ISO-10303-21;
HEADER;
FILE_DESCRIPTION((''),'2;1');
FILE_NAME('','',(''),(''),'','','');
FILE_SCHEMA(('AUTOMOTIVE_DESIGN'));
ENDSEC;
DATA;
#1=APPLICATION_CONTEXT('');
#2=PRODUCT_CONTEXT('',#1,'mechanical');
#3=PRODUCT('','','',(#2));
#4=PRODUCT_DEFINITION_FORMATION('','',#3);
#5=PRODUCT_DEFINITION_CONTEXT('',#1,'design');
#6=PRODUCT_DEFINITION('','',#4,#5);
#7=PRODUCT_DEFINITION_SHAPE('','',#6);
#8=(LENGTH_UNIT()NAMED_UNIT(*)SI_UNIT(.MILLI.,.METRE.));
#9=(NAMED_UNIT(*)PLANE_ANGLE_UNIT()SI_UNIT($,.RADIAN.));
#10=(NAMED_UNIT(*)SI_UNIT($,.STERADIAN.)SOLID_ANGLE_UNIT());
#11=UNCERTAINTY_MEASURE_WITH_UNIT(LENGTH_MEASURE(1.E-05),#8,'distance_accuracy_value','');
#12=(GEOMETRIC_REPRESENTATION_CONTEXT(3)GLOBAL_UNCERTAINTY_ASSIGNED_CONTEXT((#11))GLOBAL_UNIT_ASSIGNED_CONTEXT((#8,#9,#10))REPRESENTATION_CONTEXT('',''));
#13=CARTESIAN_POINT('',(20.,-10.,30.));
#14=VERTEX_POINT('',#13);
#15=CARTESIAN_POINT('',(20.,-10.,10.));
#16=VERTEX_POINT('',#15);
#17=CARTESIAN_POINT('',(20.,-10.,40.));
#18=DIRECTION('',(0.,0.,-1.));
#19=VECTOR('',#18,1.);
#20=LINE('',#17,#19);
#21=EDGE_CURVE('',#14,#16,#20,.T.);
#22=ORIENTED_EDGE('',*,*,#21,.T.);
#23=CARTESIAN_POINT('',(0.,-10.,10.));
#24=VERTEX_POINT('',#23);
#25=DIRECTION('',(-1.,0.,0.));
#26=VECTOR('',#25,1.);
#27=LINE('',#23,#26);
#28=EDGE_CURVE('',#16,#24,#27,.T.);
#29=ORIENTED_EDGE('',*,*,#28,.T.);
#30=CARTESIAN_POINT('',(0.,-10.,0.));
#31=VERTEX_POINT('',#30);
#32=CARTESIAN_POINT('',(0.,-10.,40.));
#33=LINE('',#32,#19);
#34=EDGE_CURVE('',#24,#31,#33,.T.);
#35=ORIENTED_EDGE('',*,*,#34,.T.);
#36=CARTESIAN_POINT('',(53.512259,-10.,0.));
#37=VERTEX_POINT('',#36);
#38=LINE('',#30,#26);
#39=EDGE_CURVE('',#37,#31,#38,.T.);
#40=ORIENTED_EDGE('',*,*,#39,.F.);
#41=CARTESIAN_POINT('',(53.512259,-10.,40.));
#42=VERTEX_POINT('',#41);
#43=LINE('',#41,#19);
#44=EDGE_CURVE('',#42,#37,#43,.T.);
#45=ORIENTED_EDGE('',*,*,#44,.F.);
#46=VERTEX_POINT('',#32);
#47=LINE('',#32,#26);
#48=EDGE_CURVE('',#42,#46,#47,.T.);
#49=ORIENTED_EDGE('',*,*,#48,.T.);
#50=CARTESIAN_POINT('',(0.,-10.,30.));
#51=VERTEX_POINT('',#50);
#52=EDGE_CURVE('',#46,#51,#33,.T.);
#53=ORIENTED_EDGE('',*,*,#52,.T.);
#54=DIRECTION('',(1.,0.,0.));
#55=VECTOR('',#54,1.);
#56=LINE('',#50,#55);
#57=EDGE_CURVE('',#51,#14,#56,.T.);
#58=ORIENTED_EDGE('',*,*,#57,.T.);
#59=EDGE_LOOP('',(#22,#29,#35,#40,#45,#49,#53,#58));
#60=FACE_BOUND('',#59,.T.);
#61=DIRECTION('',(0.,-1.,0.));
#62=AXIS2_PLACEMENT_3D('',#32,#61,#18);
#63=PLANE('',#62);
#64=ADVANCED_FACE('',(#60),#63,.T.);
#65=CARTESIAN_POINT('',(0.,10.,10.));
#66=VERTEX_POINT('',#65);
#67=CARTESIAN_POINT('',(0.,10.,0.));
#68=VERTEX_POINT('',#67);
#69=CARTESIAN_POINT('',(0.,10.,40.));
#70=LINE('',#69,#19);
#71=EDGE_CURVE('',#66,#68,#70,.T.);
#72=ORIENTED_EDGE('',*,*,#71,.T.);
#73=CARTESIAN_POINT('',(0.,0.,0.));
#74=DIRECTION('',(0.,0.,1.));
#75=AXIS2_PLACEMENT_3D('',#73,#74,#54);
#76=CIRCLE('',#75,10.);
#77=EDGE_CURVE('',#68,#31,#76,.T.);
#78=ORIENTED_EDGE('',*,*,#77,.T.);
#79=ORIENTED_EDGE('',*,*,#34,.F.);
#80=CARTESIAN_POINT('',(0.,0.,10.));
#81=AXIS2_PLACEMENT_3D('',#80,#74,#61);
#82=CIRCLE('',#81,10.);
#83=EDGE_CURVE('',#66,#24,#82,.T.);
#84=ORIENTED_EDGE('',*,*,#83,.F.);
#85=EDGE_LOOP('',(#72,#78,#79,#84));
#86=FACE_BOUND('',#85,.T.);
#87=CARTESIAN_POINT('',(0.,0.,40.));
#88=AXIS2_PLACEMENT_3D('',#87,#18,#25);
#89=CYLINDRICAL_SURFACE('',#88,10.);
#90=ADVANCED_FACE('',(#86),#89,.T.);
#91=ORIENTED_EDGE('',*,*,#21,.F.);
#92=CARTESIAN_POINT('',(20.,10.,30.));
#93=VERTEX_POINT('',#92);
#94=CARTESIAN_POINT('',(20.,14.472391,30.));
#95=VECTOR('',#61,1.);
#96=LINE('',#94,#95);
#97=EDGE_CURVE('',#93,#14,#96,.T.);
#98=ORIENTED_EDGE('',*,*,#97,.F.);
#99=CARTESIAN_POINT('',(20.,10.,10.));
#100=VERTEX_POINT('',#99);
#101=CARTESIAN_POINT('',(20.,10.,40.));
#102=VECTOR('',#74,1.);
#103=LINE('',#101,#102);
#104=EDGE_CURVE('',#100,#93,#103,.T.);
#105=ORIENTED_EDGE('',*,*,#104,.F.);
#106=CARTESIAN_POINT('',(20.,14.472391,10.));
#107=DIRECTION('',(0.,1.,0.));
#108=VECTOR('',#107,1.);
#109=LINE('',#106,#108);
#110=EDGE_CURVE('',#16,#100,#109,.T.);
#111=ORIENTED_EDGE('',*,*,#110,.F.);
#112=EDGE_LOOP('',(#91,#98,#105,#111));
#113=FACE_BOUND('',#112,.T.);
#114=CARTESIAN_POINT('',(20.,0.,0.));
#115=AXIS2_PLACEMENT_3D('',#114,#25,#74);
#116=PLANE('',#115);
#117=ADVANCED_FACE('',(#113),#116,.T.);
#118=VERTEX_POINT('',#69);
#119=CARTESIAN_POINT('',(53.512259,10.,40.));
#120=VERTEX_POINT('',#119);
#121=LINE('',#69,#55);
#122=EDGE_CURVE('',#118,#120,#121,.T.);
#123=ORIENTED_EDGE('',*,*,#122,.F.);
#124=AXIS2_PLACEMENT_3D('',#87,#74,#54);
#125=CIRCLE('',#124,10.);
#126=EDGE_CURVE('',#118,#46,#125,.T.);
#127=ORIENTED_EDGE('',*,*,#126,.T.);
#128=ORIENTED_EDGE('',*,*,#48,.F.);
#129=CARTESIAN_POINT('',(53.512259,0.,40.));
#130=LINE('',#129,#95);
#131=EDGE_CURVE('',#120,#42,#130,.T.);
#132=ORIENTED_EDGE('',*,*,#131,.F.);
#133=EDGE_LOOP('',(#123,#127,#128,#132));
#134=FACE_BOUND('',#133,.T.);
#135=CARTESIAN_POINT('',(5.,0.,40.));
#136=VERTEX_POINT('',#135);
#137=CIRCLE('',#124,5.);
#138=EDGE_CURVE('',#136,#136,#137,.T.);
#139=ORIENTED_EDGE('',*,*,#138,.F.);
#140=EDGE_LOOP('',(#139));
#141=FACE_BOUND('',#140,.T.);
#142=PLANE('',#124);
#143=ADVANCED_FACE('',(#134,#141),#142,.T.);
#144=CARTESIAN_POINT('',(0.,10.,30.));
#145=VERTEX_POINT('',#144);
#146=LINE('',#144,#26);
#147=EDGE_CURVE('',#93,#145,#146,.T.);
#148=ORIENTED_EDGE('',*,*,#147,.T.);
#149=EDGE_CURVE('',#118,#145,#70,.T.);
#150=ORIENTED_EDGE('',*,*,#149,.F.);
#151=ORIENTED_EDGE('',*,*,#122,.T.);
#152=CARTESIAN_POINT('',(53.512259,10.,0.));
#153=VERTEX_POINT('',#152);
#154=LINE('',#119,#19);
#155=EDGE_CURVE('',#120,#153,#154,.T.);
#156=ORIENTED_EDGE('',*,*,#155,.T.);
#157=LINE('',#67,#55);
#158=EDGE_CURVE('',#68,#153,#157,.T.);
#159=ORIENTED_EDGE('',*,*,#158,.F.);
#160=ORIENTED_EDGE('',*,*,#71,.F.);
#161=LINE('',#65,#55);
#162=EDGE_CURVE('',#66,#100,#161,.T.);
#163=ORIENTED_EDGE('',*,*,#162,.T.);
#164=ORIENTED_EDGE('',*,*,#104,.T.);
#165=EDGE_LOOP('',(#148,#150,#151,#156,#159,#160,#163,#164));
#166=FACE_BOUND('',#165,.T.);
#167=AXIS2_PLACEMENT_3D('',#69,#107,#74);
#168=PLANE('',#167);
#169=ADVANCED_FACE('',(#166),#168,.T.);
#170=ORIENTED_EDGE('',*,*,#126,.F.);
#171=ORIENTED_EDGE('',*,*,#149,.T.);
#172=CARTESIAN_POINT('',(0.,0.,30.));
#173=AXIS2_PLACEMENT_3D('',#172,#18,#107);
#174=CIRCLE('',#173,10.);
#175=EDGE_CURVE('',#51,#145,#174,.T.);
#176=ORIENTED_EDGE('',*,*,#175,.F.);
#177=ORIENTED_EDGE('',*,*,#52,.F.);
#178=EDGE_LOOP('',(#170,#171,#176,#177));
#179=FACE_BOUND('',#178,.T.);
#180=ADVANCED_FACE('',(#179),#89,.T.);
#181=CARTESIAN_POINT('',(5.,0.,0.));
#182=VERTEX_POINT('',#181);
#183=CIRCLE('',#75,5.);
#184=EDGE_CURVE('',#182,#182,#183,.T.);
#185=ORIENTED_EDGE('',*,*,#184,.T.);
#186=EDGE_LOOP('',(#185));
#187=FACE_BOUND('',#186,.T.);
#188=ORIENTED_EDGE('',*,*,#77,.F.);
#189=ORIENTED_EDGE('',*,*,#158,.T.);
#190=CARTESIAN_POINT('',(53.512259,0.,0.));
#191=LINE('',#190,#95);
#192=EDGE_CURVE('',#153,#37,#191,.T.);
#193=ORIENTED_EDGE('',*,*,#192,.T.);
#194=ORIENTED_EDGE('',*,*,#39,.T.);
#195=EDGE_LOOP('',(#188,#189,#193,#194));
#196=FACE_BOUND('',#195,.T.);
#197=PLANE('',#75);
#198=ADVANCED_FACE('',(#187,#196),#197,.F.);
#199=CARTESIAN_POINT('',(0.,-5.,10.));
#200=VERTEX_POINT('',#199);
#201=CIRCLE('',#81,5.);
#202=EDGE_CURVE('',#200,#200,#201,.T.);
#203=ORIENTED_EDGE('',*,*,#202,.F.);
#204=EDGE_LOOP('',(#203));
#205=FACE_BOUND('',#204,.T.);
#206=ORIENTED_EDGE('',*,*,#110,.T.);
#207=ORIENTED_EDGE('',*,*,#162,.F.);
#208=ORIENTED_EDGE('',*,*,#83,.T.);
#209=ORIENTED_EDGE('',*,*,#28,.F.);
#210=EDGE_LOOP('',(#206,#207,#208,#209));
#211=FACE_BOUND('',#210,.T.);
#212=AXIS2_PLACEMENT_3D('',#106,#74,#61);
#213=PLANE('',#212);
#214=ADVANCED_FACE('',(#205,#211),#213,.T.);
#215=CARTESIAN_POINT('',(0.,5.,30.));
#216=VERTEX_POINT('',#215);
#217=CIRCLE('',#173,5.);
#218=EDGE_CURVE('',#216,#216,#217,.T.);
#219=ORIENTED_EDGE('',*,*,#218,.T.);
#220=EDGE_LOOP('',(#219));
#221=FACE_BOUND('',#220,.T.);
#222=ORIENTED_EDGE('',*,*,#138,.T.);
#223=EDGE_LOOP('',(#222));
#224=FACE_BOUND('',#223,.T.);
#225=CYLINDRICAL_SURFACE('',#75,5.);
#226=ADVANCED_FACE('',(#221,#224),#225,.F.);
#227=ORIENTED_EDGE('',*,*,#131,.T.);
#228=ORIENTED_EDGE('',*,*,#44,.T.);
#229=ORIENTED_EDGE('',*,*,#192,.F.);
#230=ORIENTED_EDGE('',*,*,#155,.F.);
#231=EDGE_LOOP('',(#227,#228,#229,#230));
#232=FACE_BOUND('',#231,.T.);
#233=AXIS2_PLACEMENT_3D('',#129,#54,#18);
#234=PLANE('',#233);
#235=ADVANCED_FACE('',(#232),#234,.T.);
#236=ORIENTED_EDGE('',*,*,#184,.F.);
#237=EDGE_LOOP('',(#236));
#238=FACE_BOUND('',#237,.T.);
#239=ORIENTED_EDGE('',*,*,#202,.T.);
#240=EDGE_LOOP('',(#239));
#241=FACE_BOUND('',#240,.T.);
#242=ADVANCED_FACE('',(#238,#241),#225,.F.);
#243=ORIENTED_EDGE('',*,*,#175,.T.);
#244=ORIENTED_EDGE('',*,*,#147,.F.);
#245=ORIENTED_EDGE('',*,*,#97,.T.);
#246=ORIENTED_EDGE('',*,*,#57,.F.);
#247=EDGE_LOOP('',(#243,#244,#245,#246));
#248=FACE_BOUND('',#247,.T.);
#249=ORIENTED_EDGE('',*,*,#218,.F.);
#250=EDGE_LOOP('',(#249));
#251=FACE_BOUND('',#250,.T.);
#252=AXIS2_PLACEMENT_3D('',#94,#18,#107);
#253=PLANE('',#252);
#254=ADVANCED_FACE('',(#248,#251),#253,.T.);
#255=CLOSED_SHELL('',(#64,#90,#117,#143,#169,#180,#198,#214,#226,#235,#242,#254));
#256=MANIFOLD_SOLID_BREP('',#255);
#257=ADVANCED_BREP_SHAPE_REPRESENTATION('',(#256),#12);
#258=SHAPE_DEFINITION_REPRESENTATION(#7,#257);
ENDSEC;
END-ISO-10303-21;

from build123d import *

# Parameters (mm, degrees)
SKETCH1_R               = 10
BOSS_EXTRUDE1_DEPTH     = 40
CUT_EXTRUDE1_DEPTH      = 20
CUT_EXTRUDE1_DEPTH_BACK = 40
SKETCH2_W               = 20
SKETCH2_H               = 28.944782362
SKETCH3_R               = 5
CUT_EXTRUDE3_DEPTH      = 40


with BuildPart() as part:
    # Sketch1 → Boss-Extrude1 (new body)
    with BuildSketch(Plane.XY):
        Circle(SKETCH1_R)
        with BuildLine():
            Line((53.512258846, 10), (0, 10))
            ThreePointArc((0, 10), (7.071067812, 7.071067812), (10, 0))
            ThreePointArc((10, 0), (7.071067812, -7.071067812), (0, -10))
            Line((0, -10), (53.512258846, -10))
            Line((53.512258846, -10), (53.512258846, 10))
        make_face()
    extrude(amount=BOSS_EXTRUDE1_DEPTH)

    # Sketch2 → Cut-Extrude1 (cut, two sides: drawn at the far end of the back side and taken through both)
    with BuildSketch(Plane(origin=(0, 0, 0), x_dir=(0, 0, -1), z_dir=(1, 0, 0)).offset(-CUT_EXTRUDE1_DEPTH_BACK)):
        with Locations((-20, 0)):
            Rectangle(SKETCH2_W, SKETCH2_H)
    extrude(amount=CUT_EXTRUDE1_DEPTH + CUT_EXTRUDE1_DEPTH_BACK, mode=Mode.SUBTRACT)

    # Sketch3 → Cut-Extrude3 (cut)
    with BuildSketch(Plane.XY.offset(40)):
        Circle(SKETCH3_R)
    extrude(amount=-CUT_EXTRUDE3_DEPTH, mode=Mode.SUBTRACT)


solid = part.part
